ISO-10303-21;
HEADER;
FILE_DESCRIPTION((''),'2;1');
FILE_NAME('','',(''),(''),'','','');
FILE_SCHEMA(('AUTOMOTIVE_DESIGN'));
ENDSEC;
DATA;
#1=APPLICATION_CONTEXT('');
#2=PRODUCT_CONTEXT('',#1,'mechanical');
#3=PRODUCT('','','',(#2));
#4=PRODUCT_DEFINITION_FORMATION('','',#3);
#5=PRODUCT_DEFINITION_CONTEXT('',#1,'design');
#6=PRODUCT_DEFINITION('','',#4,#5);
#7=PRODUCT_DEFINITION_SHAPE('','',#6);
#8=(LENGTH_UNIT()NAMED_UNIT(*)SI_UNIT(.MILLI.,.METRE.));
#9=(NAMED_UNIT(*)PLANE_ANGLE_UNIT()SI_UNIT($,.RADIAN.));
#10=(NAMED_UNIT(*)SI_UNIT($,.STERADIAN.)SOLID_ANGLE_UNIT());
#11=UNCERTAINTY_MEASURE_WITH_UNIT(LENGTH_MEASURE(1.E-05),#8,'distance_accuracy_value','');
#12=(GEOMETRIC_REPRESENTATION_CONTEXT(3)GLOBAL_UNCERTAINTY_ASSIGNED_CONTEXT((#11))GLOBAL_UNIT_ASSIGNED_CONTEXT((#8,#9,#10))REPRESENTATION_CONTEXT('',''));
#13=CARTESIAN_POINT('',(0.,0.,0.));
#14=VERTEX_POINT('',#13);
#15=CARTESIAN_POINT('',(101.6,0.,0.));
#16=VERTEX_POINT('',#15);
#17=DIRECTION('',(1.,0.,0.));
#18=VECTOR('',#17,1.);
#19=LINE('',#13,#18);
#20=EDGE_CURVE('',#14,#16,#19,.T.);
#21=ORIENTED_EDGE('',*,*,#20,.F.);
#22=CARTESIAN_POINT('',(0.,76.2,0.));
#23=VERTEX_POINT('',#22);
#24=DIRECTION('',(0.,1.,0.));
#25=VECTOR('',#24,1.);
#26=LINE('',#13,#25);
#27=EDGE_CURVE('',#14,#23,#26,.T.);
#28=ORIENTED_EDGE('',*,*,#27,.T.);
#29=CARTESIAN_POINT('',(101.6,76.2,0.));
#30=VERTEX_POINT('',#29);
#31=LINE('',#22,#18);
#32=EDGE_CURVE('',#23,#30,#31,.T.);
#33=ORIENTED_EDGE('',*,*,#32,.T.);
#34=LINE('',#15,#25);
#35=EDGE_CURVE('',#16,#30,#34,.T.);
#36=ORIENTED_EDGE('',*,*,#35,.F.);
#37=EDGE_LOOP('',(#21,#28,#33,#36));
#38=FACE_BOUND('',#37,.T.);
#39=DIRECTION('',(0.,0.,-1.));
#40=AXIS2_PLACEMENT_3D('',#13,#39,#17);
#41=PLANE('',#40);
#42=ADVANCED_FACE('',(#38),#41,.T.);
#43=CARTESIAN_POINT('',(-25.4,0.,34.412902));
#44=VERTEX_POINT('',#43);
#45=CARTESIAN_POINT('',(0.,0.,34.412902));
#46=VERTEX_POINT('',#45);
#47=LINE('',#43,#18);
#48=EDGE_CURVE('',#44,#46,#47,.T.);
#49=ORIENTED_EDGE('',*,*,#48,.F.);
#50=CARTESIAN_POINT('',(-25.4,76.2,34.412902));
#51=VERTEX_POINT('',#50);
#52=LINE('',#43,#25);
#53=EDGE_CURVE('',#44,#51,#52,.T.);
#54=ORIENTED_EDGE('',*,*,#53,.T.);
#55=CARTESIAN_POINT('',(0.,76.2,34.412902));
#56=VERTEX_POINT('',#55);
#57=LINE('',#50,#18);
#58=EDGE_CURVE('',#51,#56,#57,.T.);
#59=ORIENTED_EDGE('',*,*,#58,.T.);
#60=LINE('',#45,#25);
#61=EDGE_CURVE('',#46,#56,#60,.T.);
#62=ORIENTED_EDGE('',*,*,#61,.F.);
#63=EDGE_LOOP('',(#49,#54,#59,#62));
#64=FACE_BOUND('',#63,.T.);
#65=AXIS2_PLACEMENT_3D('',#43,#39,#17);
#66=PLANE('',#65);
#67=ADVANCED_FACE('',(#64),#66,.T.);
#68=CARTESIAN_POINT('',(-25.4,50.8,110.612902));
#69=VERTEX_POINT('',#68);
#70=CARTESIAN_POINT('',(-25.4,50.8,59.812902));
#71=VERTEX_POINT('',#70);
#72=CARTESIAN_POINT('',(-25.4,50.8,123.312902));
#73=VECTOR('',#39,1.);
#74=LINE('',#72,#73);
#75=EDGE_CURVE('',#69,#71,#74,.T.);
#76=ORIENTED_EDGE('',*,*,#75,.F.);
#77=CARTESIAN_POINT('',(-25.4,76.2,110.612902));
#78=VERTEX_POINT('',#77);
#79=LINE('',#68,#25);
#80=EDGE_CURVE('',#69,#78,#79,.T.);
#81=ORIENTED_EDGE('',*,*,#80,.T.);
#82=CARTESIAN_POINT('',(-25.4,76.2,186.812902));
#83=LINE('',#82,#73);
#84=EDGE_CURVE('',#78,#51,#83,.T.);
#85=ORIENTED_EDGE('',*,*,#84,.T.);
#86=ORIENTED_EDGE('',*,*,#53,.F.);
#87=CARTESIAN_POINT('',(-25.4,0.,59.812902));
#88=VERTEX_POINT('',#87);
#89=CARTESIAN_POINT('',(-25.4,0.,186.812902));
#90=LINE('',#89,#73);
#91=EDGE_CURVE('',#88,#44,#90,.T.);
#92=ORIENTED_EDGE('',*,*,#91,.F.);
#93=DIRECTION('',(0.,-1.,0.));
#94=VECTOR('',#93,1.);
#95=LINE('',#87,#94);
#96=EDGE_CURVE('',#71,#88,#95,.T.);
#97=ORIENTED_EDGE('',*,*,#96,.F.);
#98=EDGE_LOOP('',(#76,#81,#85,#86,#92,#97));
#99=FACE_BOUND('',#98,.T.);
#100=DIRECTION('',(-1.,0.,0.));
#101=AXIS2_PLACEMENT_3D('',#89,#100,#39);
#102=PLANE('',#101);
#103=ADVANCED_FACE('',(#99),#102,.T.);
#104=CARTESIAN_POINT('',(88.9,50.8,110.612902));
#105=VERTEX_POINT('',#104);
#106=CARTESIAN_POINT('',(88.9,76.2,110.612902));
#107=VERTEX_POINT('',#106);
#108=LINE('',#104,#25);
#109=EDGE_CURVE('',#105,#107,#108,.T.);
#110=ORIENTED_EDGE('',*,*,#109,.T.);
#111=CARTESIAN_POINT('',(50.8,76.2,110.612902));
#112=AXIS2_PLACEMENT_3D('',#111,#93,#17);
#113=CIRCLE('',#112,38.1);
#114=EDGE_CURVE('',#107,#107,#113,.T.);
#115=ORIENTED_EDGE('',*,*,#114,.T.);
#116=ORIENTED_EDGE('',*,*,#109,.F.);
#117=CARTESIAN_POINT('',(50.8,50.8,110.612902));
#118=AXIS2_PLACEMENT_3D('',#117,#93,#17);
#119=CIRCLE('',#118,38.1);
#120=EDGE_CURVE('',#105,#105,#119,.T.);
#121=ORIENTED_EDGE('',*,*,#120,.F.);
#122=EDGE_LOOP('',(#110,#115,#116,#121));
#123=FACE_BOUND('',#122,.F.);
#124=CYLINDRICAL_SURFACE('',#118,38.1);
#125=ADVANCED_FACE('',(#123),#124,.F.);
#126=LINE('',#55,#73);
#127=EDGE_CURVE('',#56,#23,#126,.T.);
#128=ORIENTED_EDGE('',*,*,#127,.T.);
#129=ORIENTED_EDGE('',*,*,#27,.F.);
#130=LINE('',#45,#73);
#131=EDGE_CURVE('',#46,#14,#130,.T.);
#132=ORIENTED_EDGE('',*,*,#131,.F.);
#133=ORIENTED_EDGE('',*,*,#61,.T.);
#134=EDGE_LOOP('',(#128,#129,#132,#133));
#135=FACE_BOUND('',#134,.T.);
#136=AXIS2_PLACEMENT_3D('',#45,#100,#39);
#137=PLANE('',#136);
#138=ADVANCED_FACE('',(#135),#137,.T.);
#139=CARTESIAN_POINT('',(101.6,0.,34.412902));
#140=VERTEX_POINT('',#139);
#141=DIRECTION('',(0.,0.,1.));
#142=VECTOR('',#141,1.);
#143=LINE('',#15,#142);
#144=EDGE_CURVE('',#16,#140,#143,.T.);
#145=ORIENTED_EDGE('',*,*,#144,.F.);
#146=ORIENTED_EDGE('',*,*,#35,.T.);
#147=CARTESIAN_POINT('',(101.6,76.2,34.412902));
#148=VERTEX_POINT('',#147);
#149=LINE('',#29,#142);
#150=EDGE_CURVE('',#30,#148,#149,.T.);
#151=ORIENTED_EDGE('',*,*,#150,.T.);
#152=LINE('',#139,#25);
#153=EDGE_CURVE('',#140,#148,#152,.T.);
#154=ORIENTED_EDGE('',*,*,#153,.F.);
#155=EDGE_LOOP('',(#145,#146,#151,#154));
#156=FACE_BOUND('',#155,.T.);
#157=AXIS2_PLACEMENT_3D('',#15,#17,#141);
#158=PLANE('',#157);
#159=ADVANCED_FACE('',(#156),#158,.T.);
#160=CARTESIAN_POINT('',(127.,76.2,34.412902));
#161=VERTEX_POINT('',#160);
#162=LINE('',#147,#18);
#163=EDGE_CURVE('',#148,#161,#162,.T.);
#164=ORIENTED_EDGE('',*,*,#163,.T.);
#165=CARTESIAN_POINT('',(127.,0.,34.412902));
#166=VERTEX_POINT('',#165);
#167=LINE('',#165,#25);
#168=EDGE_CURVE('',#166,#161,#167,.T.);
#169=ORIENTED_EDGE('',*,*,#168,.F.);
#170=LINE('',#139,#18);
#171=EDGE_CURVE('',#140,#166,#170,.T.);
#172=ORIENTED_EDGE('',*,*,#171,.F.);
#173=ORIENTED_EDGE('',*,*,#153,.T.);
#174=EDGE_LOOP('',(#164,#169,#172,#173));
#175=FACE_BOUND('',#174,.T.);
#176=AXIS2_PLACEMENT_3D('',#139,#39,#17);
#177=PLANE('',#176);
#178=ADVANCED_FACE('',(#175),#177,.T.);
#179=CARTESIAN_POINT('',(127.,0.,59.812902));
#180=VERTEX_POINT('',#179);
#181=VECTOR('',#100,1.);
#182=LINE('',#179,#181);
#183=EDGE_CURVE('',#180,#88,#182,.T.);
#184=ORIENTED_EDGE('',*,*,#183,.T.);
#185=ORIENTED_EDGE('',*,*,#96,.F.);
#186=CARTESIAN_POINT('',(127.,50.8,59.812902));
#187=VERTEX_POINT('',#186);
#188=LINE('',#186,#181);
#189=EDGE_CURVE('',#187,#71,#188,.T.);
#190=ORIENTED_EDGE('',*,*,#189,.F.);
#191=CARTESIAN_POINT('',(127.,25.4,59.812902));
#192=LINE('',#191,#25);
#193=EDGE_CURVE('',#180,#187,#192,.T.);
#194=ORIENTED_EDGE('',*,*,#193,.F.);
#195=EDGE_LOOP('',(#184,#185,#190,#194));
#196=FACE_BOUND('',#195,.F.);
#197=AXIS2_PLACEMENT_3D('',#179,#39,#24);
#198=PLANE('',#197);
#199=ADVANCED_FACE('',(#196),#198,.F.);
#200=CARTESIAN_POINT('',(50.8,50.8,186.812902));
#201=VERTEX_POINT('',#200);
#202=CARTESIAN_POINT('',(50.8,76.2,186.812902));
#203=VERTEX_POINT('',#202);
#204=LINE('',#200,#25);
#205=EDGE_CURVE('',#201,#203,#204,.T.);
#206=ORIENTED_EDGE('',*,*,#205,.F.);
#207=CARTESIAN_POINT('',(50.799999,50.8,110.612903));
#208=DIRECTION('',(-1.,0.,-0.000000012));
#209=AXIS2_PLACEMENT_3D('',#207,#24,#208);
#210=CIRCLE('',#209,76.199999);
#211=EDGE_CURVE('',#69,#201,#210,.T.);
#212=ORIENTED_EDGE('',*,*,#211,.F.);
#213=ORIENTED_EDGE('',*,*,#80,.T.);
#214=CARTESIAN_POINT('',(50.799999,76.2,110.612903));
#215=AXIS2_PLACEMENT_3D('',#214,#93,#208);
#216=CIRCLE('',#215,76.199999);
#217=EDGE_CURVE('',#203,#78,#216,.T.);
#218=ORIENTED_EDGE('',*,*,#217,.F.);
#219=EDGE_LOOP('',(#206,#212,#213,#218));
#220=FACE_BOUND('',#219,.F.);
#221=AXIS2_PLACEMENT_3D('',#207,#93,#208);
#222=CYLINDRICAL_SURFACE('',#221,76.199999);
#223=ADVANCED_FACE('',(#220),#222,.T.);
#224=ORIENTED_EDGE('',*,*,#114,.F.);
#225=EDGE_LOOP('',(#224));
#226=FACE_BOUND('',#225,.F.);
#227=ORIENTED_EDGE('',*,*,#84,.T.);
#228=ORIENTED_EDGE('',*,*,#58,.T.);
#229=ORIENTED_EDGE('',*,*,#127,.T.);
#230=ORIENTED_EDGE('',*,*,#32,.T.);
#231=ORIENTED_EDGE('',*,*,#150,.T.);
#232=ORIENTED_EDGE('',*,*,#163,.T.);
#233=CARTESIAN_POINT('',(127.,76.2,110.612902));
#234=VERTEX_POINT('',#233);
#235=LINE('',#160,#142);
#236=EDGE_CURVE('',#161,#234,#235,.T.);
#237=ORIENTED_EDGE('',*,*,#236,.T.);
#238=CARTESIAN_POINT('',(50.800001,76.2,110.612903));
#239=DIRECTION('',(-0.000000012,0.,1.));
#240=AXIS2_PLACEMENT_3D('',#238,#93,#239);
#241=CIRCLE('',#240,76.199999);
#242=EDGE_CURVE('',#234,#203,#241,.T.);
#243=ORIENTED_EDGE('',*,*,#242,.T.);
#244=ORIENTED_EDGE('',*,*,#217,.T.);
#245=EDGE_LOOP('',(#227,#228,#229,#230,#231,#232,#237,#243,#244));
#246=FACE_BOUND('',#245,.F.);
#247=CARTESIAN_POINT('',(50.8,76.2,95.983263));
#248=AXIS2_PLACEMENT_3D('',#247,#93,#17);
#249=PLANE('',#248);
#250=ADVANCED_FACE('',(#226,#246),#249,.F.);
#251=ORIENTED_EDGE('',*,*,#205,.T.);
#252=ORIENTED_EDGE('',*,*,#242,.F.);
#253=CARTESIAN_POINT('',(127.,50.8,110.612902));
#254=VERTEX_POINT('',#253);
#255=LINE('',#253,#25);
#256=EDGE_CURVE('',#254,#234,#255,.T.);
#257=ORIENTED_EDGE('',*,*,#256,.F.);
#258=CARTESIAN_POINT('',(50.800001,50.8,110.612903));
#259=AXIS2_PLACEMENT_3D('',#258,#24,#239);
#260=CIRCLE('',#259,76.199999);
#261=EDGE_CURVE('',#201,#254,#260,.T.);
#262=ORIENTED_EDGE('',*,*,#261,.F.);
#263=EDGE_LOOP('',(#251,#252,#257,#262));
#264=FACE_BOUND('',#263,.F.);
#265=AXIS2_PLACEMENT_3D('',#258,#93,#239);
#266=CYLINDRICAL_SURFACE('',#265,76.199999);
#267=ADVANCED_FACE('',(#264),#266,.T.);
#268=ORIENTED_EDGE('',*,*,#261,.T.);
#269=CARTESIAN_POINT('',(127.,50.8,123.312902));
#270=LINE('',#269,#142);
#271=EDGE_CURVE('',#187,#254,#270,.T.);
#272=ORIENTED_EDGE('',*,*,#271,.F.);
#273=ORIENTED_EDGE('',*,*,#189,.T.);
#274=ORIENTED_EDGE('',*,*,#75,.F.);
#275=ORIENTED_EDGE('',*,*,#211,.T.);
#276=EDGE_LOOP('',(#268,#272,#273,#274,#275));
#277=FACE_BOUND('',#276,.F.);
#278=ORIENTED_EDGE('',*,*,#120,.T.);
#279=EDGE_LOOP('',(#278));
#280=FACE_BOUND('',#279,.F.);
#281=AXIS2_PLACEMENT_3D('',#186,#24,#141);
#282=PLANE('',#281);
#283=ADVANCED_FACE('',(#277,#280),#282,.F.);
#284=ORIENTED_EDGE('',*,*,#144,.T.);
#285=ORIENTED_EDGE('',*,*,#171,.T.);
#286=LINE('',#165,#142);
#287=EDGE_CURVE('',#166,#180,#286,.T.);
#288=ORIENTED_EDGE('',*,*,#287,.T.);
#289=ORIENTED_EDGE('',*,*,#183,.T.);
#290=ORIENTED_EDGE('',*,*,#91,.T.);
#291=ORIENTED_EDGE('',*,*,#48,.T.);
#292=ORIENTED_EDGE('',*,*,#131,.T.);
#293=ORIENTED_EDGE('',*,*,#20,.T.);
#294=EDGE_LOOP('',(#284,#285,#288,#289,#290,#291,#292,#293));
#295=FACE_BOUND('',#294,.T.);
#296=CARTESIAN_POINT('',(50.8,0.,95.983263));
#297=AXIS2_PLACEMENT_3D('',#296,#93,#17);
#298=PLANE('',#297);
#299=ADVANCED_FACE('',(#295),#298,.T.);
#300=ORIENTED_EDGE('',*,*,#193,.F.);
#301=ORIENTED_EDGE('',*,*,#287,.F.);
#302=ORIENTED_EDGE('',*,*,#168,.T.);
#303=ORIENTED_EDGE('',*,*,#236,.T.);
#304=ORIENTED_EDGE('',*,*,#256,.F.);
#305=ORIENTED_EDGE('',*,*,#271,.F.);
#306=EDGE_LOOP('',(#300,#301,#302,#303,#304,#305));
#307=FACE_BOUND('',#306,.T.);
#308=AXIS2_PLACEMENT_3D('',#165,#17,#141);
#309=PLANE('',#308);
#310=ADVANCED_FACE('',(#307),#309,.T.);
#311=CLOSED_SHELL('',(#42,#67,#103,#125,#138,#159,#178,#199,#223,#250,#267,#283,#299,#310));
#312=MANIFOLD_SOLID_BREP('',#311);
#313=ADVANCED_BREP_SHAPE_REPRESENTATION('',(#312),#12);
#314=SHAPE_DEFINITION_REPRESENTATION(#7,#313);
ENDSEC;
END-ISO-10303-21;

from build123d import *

# Parameters (mm, degrees)
F1_DEPTH = 76.2
F2_W     = 50.8
F2_H     = 127
F3_DEPTH = 152.401
F4_R     = 38.1
F5_DEPTH = 25.401
F7_DEPTH = 25.401


with BuildPart() as f1:
    # F0 (on Front) → F1 (new body)
    with BuildSketch(Plane.XZ):
        Polygon((0, 34.412902), (0, 0), (101.6, 0), (101.6, 34.412902), (127, 34.412902), (127, 186.812902), (-25.4, 186.812902), (-25.4, 34.412902), align=None)
    extrude(amount=-F1_DEPTH)

    # F2 (on face) → F3 (cut, through all)
    with BuildSketch(Plane.YZ.offset(127)):
        with Locations((25.4, 123.312902)):
            Rectangle(F2_W, F2_H)
    extrude(amount=-F3_DEPTH, mode=Mode.SUBTRACT)

    # F4 (on face) → F5 (cut, through all)
    with BuildSketch(Plane.XZ.offset(-50.8)):
        with Locations((50.8, 110.612902)):
            Circle(F4_R)
    extrude(amount=-F5_DEPTH, mode=Mode.SUBTRACT)

    # F6 (on face) → F7 (cut, through all)
    with BuildSketch(Plane.XZ.offset(-50.8)):
        with BuildLine():
            Line((50.8, 186.812902), (-25.4, 186.812902))
            Line((-25.4, 186.812902), (-25.4, 110.612902))
            ThreePointArc((-25.4, 110.612902), (-3.081537, 164.494439), (50.8, 186.812902))
        make_face()
        with BuildLine():
            Line((127, 186.812902), (50.8, 186.812902))
            ThreePointArc((50.8, 186.812902), (104.681537, 164.494439), (127, 110.612902))
            Line((127, 110.612902), (127, 186.812902))
        make_face()
    extrude(amount=-F7_DEPTH, mode=Mode.SUBTRACT)


solid = f1.part
